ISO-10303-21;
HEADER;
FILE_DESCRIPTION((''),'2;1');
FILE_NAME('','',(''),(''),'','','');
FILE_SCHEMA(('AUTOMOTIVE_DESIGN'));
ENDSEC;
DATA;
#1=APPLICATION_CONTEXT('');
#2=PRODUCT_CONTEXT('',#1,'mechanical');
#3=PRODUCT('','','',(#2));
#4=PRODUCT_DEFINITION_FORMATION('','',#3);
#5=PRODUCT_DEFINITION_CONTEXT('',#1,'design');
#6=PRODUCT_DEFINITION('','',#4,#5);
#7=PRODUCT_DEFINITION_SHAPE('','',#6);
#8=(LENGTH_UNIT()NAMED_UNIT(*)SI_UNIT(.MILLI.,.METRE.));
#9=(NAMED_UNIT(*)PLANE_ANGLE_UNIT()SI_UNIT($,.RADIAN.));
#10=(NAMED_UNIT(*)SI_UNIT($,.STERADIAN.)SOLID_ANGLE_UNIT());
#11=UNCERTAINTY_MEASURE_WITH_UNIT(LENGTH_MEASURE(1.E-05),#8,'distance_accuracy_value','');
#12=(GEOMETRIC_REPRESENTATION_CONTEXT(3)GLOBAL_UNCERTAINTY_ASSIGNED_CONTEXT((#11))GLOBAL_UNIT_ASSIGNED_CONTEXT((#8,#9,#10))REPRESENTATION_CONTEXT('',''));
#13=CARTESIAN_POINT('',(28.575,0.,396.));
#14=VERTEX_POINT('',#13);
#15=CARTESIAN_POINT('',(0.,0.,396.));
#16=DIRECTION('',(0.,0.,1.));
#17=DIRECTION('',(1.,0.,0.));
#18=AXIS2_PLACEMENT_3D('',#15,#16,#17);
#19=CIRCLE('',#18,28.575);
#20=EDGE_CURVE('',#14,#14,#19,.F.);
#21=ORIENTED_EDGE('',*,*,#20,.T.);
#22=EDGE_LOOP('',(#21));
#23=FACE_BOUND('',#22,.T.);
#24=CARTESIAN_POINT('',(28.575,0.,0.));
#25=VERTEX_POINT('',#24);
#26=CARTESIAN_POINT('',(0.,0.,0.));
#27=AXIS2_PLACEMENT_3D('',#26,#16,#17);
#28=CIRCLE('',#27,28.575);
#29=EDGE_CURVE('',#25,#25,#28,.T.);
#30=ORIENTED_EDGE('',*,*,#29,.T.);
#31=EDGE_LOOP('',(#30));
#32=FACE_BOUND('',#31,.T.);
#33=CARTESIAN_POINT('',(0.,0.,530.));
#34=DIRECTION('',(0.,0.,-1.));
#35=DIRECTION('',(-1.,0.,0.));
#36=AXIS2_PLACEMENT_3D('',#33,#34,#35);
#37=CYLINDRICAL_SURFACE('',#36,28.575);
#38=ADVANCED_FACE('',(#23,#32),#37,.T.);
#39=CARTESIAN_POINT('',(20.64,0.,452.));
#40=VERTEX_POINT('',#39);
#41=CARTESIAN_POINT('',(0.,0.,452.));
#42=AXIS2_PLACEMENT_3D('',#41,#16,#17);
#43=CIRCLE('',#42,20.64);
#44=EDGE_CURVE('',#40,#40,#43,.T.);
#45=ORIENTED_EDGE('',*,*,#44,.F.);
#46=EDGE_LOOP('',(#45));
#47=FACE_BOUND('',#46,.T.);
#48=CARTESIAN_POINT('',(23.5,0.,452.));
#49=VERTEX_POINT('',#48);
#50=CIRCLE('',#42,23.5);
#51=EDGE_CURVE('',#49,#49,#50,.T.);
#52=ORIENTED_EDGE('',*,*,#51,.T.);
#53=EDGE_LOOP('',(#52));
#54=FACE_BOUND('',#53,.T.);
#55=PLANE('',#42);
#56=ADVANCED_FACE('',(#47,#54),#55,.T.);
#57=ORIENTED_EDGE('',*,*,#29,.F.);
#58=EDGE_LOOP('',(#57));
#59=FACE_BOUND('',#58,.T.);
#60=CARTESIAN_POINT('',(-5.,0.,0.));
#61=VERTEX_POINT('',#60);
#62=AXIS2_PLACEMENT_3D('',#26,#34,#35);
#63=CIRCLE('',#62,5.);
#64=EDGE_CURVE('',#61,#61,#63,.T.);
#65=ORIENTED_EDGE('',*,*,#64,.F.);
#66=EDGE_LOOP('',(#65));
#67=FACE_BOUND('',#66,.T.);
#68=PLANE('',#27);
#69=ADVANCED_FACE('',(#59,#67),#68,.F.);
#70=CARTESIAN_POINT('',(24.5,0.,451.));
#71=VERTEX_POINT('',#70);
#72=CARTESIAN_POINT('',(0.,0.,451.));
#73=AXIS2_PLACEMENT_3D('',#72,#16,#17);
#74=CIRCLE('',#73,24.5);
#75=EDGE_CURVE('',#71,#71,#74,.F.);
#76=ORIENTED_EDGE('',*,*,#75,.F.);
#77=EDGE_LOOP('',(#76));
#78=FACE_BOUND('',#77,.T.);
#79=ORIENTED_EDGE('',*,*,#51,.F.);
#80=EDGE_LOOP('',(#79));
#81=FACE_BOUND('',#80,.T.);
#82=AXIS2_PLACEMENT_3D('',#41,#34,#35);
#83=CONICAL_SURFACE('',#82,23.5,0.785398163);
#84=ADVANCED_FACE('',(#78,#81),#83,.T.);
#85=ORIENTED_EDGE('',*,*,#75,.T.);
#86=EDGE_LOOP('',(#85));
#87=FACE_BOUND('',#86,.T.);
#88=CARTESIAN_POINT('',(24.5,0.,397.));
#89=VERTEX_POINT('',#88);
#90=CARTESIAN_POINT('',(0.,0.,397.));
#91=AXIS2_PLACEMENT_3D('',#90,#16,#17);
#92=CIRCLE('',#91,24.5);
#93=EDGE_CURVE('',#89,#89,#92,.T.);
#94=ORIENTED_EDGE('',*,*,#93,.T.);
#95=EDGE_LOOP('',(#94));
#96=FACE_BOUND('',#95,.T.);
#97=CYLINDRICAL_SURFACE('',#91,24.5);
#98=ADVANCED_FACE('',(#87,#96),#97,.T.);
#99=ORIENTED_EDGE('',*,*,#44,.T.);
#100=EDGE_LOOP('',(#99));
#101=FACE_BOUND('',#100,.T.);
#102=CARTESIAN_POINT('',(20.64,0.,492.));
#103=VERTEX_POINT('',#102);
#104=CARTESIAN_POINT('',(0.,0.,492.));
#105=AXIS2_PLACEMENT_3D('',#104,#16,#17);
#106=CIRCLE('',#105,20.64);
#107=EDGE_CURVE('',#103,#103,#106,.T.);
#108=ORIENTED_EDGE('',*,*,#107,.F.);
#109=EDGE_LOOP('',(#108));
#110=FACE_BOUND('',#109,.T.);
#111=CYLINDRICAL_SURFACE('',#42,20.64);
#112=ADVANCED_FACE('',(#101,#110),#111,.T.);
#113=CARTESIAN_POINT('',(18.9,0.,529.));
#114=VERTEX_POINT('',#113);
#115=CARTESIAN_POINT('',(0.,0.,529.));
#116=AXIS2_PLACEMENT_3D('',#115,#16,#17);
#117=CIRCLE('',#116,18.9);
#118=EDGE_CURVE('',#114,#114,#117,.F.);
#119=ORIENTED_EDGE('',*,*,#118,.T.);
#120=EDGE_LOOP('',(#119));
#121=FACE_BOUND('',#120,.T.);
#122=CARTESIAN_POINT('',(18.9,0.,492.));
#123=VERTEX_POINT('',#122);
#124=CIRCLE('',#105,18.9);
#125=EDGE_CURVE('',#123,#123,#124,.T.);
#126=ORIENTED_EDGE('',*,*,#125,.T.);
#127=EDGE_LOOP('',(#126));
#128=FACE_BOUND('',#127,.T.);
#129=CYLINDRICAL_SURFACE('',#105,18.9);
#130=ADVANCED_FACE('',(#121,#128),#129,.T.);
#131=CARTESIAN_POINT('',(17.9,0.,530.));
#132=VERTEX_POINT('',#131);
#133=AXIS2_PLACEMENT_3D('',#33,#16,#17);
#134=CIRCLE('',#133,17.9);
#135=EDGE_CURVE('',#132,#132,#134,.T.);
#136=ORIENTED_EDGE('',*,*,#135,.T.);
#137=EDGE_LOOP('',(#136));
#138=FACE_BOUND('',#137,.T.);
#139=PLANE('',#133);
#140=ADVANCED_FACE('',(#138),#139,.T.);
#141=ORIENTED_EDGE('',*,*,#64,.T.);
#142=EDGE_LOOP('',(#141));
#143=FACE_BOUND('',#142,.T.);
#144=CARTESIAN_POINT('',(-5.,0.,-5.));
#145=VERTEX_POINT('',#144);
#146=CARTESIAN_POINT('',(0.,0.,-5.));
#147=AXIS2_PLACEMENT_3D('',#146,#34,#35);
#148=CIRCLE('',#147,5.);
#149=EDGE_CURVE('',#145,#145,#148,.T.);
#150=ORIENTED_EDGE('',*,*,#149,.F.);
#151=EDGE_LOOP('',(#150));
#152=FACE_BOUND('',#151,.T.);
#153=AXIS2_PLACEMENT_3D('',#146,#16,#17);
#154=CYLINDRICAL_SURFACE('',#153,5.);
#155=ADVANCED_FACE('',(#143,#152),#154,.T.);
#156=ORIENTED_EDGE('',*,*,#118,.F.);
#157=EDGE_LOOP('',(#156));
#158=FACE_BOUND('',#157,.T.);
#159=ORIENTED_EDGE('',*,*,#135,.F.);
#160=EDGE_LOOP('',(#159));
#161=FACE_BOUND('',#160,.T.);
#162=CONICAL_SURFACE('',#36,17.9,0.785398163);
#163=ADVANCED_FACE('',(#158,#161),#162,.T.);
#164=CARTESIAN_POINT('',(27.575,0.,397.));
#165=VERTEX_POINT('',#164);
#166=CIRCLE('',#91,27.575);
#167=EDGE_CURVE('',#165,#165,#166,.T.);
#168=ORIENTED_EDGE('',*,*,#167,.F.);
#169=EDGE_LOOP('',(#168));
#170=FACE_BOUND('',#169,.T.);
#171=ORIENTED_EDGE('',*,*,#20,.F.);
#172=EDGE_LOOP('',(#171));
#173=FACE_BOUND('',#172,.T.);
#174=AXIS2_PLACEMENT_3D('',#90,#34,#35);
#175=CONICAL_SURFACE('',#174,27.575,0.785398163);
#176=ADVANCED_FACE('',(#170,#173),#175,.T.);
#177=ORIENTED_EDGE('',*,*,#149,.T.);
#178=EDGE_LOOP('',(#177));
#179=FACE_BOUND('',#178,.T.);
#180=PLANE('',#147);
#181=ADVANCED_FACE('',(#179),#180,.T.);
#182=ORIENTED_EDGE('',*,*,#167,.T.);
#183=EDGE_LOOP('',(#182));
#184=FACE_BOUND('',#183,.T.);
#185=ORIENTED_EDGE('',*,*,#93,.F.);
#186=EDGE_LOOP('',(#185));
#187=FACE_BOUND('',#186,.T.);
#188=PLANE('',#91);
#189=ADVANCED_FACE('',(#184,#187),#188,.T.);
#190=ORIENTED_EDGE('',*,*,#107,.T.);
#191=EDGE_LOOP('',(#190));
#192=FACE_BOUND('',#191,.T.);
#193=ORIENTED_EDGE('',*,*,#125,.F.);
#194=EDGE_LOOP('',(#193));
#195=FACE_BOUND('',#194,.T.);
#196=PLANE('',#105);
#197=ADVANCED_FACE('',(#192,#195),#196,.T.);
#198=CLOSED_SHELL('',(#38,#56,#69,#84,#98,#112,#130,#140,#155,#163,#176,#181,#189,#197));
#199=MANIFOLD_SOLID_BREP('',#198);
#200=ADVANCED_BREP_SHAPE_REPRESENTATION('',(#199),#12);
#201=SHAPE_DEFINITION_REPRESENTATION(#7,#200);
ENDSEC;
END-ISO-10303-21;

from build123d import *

# Parameters (mm, degrees)
SKETCH1_R           = 28.575
BOSS_EXTRUDE1_DEPTH = 530
SKETCH2_OUTSIDE_W   = 166.376
SKETCH2_OUTSIDE_H   = 166.376
SKETCH2_OUTSIDE_R   = 18.9
CUT_EXTRUDE1_DEPTH  = 38
SKETCH3_OUTSIDE_W   = 166.376
SKETCH3_OUTSIDE_H   = 166.376
SKETCH3_OUTSIDE_R   = 20.64
CUT_EXTRUDE2_DEPTH  = 40
SKETCH4_OUTSIDE_W   = 166.376
SKETCH4_OUTSIDE_H   = 166.376
SKETCH4_OUTSIDE_R   = 24.5
CUT_EXTRUDE3_DEPTH  = 55
SKETCH5_R           = 5
BOSS_EXTRUDE2_DEPTH = 5
CHAMFER1_SIZE       = 1


with BuildPart() as part:
    # Sketch1 → Boss-Extrude1 (new body)
    with BuildSketch(Plane.XY):
        Circle(SKETCH1_R)
    extrude(amount=BOSS_EXTRUDE1_DEPTH)

    # Sketch2 outside → Cut-Extrude1 (cut)
    with BuildSketch(Plane.XY.offset(530)):
        Rectangle(SKETCH2_OUTSIDE_W, SKETCH2_OUTSIDE_H)
        Circle(SKETCH2_OUTSIDE_R, mode=Mode.SUBTRACT)
    extrude(amount=-CUT_EXTRUDE1_DEPTH, mode=Mode.SUBTRACT)

    # Sketch3 outside → Cut-Extrude2 (cut)
    with BuildSketch(Plane.XY.offset(492)):
        Rectangle(SKETCH3_OUTSIDE_W, SKETCH3_OUTSIDE_H)
        Circle(SKETCH3_OUTSIDE_R, mode=Mode.SUBTRACT)
    extrude(amount=-CUT_EXTRUDE2_DEPTH, mode=Mode.SUBTRACT)

    # Sketch4 outside → Cut-Extrude3 (cut)
    with BuildSketch(Plane.XY.offset(452)):
        Rectangle(SKETCH4_OUTSIDE_W, SKETCH4_OUTSIDE_H)
        Circle(SKETCH4_OUTSIDE_R, mode=Mode.SUBTRACT)
    extrude(amount=-CUT_EXTRUDE3_DEPTH, mode=Mode.SUBTRACT)

    # Sketch5 → Boss-Extrude2 (add)
    with BuildSketch(Plane(origin=(0, 0, 0), x_dir=(-1, 0, 0), z_dir=(0, 0, -1))):
        Circle(SKETCH5_R)
    extrude(amount=BOSS_EXTRUDE2_DEPTH)

    # Chamfer1
    chamfer1_edges = [part.edges().sort_by_distance(p)[0] for p in [
        (-18.9, 0, 530),
        (-28.575, 0, 397),
        (-24.5, 0, 452),
    ]]
    chamfer(chamfer1_edges, length=CHAMFER1_SIZE)


solid = part.part
